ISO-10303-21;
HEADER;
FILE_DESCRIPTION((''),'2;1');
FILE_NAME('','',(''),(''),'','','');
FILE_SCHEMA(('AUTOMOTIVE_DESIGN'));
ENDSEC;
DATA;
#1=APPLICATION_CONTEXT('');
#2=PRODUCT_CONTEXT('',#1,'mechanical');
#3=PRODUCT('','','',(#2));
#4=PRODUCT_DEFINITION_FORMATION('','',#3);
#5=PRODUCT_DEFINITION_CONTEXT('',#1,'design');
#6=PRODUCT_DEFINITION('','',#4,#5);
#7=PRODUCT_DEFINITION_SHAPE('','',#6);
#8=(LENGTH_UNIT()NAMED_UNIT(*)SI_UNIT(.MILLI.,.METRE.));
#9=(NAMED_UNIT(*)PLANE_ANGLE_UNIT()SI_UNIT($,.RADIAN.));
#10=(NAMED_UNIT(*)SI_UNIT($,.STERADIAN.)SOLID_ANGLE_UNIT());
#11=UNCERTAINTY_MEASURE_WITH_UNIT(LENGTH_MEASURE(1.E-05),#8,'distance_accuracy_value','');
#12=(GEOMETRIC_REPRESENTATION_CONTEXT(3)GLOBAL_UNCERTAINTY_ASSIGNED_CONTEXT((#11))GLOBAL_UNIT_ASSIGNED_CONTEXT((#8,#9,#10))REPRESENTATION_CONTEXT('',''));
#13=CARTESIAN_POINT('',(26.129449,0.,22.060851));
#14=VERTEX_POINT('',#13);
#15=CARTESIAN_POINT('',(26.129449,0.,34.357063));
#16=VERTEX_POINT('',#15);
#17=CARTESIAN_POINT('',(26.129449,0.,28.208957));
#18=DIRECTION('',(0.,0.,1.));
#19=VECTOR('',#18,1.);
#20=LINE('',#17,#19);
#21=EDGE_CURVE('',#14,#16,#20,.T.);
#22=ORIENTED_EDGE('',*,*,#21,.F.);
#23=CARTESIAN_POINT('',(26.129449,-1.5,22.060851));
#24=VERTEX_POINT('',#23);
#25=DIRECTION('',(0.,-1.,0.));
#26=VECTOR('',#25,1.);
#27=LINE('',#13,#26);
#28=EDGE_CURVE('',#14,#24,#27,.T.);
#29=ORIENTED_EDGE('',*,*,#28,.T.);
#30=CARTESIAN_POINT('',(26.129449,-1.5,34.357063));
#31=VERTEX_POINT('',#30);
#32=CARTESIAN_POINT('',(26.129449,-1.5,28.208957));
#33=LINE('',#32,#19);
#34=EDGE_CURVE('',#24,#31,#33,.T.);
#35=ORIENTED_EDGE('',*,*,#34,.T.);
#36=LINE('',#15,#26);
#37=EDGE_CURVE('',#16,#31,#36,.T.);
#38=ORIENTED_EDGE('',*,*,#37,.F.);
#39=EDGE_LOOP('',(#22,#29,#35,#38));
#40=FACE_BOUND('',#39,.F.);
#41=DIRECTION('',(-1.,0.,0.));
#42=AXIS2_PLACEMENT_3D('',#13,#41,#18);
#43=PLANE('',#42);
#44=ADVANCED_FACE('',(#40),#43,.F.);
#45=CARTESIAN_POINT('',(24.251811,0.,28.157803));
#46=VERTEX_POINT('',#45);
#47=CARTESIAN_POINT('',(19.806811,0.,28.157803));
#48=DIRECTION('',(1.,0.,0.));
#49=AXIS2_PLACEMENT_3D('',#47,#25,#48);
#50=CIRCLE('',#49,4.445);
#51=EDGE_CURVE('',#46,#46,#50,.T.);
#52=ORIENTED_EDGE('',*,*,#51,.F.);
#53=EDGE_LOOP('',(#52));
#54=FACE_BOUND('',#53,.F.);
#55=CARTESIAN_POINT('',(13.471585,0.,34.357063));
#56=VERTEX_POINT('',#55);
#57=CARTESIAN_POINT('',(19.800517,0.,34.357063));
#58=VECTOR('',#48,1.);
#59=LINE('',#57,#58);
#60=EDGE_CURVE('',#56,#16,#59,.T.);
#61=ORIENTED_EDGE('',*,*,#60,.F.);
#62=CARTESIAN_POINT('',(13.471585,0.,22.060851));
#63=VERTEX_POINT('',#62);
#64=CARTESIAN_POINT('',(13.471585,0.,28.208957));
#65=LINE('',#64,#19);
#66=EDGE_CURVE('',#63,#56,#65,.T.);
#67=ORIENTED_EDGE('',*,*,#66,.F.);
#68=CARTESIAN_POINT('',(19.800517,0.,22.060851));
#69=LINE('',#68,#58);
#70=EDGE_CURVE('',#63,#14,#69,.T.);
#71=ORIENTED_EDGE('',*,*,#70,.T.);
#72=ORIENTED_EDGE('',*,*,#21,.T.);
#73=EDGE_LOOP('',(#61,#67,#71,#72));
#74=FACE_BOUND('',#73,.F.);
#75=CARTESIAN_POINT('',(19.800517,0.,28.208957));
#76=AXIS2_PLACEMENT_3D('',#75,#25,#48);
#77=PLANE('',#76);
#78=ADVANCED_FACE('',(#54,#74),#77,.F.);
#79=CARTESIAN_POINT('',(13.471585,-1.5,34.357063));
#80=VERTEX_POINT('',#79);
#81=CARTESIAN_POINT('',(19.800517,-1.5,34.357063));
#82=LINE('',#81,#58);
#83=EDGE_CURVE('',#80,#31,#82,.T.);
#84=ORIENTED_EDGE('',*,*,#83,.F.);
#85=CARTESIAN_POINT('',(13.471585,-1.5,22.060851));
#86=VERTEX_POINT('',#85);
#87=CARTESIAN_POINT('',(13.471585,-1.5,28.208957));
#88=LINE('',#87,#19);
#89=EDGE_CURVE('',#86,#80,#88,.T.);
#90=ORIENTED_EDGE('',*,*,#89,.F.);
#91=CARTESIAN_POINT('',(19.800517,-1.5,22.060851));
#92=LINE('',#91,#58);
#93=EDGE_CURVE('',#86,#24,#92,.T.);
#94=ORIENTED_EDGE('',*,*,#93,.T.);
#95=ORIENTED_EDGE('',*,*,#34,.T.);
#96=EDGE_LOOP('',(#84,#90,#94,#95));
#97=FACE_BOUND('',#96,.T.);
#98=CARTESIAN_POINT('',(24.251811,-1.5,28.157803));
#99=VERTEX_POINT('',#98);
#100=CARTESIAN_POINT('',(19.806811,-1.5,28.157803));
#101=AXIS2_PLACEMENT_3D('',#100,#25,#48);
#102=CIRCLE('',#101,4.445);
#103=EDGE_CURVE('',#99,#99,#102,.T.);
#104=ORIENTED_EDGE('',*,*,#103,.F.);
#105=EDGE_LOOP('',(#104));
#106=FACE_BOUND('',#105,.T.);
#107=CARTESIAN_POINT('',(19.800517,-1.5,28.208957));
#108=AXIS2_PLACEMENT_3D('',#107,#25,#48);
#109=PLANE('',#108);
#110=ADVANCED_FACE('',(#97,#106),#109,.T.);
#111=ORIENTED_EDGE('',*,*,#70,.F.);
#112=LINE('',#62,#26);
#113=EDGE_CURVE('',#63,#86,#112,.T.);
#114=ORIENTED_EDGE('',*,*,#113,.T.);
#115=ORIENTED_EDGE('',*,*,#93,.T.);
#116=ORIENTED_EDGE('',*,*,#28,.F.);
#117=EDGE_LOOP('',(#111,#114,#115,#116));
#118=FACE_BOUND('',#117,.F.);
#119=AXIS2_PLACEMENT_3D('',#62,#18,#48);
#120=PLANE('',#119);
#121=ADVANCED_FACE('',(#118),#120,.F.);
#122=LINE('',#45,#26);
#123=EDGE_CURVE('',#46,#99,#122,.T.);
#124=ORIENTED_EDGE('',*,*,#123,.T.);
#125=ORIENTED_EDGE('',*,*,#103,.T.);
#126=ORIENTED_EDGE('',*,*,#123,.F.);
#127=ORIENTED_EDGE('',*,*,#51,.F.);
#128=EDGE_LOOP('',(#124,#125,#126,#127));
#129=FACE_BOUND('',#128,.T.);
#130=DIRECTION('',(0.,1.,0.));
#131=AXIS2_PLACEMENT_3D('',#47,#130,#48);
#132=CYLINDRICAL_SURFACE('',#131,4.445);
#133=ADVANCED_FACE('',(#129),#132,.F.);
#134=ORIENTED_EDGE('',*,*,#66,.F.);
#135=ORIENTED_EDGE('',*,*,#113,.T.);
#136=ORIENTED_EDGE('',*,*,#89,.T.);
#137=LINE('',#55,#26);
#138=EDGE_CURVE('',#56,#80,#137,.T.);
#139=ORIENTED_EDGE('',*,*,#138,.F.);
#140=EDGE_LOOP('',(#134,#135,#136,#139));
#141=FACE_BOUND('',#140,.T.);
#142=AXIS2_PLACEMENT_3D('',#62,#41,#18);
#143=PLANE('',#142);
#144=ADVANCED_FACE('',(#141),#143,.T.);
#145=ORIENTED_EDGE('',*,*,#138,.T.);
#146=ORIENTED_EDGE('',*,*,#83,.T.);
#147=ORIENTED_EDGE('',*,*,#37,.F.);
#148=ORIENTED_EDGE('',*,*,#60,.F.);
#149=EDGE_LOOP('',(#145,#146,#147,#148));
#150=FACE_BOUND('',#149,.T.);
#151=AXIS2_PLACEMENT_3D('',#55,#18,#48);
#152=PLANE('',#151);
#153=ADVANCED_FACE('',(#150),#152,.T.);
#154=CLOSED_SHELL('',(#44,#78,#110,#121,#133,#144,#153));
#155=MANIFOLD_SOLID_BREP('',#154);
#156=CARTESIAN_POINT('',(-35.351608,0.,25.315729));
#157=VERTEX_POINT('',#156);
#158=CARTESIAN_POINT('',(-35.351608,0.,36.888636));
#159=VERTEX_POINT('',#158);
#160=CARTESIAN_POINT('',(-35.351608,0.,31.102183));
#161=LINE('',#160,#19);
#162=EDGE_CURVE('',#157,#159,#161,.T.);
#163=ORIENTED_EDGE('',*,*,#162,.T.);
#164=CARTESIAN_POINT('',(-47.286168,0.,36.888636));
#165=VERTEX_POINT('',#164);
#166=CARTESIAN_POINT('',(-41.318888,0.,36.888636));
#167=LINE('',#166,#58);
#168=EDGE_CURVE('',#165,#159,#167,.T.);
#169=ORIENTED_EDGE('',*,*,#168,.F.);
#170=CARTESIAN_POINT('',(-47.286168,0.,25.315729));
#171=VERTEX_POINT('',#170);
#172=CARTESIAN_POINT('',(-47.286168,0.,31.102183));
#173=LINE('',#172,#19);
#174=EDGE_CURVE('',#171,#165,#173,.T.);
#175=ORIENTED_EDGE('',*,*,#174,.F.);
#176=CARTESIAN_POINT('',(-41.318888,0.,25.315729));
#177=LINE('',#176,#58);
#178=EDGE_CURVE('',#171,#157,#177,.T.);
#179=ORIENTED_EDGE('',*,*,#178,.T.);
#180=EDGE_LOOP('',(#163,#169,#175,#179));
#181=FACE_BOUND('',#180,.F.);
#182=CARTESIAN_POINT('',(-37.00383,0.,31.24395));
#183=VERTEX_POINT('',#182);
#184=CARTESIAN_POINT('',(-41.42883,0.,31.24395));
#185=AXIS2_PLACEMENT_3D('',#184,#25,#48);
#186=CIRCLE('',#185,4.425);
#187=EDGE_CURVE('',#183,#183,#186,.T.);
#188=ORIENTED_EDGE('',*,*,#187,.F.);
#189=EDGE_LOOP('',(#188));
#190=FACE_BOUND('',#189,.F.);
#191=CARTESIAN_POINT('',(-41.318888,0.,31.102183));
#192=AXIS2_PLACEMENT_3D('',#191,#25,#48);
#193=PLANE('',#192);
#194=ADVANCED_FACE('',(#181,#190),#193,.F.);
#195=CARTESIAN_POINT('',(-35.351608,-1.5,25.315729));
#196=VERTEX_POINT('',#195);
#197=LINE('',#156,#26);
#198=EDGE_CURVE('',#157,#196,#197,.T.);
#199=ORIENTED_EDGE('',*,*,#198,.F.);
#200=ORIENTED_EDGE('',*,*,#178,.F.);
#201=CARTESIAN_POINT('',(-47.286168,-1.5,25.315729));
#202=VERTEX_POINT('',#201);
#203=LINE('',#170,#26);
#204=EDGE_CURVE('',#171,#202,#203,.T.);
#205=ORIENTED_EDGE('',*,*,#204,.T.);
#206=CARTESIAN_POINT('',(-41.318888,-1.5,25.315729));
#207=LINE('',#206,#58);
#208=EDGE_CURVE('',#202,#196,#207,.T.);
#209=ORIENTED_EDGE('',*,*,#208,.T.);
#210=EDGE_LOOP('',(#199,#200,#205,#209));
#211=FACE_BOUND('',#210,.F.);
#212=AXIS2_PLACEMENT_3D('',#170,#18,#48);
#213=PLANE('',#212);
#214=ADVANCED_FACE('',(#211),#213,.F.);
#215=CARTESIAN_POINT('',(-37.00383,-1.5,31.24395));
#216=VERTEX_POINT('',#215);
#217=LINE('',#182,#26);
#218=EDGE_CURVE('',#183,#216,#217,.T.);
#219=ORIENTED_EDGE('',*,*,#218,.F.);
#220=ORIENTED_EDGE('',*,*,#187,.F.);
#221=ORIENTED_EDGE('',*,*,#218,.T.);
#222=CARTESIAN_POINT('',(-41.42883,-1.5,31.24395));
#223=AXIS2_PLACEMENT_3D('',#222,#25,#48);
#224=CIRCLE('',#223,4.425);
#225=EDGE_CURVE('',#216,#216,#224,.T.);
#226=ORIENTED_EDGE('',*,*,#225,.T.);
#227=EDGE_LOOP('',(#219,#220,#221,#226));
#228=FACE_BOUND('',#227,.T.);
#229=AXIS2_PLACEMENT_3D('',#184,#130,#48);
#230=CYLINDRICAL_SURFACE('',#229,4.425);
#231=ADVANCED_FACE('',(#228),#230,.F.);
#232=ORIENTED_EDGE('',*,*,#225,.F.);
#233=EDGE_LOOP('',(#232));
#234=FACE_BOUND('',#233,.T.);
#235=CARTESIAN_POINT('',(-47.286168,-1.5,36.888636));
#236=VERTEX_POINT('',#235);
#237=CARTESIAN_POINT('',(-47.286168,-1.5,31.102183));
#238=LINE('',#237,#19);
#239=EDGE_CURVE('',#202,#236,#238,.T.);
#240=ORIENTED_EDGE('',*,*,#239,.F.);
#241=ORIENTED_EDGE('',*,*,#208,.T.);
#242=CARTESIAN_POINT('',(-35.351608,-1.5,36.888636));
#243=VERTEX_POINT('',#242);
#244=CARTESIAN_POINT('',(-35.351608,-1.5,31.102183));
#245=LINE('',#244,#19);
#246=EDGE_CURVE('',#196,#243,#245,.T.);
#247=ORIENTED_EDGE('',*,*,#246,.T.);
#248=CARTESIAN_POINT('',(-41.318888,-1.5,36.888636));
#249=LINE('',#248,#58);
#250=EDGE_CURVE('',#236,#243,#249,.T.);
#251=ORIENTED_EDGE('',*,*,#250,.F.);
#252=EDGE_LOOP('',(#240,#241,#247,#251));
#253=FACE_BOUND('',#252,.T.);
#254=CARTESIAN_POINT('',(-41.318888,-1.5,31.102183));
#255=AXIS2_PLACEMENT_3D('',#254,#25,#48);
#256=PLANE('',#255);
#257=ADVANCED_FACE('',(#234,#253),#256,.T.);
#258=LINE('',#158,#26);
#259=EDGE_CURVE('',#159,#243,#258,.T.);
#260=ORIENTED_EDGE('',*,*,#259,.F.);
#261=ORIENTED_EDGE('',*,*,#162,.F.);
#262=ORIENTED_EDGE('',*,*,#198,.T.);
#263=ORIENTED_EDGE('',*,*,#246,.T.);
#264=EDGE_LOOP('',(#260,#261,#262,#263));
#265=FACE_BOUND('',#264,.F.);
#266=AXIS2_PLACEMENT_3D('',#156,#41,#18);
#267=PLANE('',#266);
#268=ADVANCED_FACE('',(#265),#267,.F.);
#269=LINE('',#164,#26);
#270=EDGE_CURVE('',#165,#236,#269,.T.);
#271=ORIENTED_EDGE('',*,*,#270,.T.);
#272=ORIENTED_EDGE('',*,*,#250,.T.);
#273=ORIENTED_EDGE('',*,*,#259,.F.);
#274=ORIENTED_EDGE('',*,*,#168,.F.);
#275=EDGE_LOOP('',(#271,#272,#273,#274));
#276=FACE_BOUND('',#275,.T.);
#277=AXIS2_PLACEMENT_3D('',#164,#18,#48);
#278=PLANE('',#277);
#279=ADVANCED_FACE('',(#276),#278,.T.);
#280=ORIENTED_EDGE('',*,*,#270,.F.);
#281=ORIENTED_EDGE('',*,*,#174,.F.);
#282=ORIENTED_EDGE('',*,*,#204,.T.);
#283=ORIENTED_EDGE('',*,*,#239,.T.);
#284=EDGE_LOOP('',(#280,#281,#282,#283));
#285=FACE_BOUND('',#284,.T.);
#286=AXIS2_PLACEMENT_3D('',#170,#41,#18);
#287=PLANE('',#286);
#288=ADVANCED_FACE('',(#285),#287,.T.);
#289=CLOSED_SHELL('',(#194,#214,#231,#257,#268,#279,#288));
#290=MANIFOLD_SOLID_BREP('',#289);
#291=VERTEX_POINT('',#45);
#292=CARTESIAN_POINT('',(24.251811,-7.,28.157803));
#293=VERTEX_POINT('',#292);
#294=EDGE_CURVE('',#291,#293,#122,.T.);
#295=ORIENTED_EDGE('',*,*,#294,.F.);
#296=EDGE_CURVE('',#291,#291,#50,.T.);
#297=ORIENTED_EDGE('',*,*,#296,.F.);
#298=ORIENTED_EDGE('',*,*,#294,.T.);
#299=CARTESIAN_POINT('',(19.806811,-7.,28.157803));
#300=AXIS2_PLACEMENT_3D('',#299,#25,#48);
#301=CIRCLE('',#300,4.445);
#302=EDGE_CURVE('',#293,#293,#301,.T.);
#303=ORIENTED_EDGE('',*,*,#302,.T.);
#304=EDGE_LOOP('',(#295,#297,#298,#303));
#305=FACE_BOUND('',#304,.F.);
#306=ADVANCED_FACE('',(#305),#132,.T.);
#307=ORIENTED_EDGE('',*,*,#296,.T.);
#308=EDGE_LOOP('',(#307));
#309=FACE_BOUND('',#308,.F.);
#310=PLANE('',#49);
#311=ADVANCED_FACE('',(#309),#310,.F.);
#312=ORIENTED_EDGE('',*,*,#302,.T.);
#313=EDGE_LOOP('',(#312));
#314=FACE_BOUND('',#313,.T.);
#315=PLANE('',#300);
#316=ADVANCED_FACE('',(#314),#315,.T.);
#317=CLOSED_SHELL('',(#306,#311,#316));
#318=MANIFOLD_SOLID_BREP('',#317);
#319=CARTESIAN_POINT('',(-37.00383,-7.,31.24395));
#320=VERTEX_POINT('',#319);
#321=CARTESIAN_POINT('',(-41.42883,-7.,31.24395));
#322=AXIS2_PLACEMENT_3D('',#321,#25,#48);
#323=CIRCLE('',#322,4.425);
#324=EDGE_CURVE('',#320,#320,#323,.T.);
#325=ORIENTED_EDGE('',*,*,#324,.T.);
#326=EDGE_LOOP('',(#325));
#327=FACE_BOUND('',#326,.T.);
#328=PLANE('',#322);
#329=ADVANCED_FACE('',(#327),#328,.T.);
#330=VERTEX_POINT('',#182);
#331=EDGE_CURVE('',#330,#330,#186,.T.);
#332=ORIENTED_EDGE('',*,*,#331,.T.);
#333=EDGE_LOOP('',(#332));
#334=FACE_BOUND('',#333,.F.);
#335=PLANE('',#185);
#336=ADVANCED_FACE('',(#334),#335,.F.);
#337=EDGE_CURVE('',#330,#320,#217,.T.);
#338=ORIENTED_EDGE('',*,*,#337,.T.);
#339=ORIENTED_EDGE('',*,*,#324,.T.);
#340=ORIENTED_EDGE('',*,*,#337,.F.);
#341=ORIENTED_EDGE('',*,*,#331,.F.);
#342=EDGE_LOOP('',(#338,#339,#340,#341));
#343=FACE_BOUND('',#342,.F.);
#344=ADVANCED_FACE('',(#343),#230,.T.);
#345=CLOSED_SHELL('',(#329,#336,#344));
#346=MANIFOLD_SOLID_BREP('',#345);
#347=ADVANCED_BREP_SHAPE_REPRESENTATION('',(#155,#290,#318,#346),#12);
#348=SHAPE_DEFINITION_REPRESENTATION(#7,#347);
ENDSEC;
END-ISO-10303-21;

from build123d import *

# Parameters (mm, degrees)
F0_R     = 4.425
F0_R_2   = 4.445
F1_DEPTH = 7
F0_W     = 11.93456
F0_H     = 11.572907
F0_W_2   = 12.657864
F0_H_2   = 12.296212
F2_DEPTH = 1.5


with BuildPart() as f1:
    # F0 (on Front) → F1 (new body)
    with BuildSketch(Plane.XZ):
        with Locations((-41.42883, 31.24395)):
            Circle(F0_R)
        with Locations((19.806811, 28.157803)):
            Circle(F0_R_2)
    extrude(amount=F1_DEPTH)


with BuildPart() as f2:
    # F0 (on Front) → F2 (new body)
    with BuildSketch(Plane.XZ):
        with Locations((-41.318888, 31.102183)):
            Rectangle(F0_W, F0_H)
        with Locations((-41.42883, 31.24395)):
            Circle(F0_R, mode=Mode.SUBTRACT)
        with Locations((19.800517, 28.208957)):
            Rectangle(F0_W_2, F0_H_2)
        with Locations((19.806811, 28.157803)):
            Circle(F0_R_2, mode=Mode.SUBTRACT)
    extrude(amount=F2_DEPTH)


solid = Compound([f1.part, f2.part])
